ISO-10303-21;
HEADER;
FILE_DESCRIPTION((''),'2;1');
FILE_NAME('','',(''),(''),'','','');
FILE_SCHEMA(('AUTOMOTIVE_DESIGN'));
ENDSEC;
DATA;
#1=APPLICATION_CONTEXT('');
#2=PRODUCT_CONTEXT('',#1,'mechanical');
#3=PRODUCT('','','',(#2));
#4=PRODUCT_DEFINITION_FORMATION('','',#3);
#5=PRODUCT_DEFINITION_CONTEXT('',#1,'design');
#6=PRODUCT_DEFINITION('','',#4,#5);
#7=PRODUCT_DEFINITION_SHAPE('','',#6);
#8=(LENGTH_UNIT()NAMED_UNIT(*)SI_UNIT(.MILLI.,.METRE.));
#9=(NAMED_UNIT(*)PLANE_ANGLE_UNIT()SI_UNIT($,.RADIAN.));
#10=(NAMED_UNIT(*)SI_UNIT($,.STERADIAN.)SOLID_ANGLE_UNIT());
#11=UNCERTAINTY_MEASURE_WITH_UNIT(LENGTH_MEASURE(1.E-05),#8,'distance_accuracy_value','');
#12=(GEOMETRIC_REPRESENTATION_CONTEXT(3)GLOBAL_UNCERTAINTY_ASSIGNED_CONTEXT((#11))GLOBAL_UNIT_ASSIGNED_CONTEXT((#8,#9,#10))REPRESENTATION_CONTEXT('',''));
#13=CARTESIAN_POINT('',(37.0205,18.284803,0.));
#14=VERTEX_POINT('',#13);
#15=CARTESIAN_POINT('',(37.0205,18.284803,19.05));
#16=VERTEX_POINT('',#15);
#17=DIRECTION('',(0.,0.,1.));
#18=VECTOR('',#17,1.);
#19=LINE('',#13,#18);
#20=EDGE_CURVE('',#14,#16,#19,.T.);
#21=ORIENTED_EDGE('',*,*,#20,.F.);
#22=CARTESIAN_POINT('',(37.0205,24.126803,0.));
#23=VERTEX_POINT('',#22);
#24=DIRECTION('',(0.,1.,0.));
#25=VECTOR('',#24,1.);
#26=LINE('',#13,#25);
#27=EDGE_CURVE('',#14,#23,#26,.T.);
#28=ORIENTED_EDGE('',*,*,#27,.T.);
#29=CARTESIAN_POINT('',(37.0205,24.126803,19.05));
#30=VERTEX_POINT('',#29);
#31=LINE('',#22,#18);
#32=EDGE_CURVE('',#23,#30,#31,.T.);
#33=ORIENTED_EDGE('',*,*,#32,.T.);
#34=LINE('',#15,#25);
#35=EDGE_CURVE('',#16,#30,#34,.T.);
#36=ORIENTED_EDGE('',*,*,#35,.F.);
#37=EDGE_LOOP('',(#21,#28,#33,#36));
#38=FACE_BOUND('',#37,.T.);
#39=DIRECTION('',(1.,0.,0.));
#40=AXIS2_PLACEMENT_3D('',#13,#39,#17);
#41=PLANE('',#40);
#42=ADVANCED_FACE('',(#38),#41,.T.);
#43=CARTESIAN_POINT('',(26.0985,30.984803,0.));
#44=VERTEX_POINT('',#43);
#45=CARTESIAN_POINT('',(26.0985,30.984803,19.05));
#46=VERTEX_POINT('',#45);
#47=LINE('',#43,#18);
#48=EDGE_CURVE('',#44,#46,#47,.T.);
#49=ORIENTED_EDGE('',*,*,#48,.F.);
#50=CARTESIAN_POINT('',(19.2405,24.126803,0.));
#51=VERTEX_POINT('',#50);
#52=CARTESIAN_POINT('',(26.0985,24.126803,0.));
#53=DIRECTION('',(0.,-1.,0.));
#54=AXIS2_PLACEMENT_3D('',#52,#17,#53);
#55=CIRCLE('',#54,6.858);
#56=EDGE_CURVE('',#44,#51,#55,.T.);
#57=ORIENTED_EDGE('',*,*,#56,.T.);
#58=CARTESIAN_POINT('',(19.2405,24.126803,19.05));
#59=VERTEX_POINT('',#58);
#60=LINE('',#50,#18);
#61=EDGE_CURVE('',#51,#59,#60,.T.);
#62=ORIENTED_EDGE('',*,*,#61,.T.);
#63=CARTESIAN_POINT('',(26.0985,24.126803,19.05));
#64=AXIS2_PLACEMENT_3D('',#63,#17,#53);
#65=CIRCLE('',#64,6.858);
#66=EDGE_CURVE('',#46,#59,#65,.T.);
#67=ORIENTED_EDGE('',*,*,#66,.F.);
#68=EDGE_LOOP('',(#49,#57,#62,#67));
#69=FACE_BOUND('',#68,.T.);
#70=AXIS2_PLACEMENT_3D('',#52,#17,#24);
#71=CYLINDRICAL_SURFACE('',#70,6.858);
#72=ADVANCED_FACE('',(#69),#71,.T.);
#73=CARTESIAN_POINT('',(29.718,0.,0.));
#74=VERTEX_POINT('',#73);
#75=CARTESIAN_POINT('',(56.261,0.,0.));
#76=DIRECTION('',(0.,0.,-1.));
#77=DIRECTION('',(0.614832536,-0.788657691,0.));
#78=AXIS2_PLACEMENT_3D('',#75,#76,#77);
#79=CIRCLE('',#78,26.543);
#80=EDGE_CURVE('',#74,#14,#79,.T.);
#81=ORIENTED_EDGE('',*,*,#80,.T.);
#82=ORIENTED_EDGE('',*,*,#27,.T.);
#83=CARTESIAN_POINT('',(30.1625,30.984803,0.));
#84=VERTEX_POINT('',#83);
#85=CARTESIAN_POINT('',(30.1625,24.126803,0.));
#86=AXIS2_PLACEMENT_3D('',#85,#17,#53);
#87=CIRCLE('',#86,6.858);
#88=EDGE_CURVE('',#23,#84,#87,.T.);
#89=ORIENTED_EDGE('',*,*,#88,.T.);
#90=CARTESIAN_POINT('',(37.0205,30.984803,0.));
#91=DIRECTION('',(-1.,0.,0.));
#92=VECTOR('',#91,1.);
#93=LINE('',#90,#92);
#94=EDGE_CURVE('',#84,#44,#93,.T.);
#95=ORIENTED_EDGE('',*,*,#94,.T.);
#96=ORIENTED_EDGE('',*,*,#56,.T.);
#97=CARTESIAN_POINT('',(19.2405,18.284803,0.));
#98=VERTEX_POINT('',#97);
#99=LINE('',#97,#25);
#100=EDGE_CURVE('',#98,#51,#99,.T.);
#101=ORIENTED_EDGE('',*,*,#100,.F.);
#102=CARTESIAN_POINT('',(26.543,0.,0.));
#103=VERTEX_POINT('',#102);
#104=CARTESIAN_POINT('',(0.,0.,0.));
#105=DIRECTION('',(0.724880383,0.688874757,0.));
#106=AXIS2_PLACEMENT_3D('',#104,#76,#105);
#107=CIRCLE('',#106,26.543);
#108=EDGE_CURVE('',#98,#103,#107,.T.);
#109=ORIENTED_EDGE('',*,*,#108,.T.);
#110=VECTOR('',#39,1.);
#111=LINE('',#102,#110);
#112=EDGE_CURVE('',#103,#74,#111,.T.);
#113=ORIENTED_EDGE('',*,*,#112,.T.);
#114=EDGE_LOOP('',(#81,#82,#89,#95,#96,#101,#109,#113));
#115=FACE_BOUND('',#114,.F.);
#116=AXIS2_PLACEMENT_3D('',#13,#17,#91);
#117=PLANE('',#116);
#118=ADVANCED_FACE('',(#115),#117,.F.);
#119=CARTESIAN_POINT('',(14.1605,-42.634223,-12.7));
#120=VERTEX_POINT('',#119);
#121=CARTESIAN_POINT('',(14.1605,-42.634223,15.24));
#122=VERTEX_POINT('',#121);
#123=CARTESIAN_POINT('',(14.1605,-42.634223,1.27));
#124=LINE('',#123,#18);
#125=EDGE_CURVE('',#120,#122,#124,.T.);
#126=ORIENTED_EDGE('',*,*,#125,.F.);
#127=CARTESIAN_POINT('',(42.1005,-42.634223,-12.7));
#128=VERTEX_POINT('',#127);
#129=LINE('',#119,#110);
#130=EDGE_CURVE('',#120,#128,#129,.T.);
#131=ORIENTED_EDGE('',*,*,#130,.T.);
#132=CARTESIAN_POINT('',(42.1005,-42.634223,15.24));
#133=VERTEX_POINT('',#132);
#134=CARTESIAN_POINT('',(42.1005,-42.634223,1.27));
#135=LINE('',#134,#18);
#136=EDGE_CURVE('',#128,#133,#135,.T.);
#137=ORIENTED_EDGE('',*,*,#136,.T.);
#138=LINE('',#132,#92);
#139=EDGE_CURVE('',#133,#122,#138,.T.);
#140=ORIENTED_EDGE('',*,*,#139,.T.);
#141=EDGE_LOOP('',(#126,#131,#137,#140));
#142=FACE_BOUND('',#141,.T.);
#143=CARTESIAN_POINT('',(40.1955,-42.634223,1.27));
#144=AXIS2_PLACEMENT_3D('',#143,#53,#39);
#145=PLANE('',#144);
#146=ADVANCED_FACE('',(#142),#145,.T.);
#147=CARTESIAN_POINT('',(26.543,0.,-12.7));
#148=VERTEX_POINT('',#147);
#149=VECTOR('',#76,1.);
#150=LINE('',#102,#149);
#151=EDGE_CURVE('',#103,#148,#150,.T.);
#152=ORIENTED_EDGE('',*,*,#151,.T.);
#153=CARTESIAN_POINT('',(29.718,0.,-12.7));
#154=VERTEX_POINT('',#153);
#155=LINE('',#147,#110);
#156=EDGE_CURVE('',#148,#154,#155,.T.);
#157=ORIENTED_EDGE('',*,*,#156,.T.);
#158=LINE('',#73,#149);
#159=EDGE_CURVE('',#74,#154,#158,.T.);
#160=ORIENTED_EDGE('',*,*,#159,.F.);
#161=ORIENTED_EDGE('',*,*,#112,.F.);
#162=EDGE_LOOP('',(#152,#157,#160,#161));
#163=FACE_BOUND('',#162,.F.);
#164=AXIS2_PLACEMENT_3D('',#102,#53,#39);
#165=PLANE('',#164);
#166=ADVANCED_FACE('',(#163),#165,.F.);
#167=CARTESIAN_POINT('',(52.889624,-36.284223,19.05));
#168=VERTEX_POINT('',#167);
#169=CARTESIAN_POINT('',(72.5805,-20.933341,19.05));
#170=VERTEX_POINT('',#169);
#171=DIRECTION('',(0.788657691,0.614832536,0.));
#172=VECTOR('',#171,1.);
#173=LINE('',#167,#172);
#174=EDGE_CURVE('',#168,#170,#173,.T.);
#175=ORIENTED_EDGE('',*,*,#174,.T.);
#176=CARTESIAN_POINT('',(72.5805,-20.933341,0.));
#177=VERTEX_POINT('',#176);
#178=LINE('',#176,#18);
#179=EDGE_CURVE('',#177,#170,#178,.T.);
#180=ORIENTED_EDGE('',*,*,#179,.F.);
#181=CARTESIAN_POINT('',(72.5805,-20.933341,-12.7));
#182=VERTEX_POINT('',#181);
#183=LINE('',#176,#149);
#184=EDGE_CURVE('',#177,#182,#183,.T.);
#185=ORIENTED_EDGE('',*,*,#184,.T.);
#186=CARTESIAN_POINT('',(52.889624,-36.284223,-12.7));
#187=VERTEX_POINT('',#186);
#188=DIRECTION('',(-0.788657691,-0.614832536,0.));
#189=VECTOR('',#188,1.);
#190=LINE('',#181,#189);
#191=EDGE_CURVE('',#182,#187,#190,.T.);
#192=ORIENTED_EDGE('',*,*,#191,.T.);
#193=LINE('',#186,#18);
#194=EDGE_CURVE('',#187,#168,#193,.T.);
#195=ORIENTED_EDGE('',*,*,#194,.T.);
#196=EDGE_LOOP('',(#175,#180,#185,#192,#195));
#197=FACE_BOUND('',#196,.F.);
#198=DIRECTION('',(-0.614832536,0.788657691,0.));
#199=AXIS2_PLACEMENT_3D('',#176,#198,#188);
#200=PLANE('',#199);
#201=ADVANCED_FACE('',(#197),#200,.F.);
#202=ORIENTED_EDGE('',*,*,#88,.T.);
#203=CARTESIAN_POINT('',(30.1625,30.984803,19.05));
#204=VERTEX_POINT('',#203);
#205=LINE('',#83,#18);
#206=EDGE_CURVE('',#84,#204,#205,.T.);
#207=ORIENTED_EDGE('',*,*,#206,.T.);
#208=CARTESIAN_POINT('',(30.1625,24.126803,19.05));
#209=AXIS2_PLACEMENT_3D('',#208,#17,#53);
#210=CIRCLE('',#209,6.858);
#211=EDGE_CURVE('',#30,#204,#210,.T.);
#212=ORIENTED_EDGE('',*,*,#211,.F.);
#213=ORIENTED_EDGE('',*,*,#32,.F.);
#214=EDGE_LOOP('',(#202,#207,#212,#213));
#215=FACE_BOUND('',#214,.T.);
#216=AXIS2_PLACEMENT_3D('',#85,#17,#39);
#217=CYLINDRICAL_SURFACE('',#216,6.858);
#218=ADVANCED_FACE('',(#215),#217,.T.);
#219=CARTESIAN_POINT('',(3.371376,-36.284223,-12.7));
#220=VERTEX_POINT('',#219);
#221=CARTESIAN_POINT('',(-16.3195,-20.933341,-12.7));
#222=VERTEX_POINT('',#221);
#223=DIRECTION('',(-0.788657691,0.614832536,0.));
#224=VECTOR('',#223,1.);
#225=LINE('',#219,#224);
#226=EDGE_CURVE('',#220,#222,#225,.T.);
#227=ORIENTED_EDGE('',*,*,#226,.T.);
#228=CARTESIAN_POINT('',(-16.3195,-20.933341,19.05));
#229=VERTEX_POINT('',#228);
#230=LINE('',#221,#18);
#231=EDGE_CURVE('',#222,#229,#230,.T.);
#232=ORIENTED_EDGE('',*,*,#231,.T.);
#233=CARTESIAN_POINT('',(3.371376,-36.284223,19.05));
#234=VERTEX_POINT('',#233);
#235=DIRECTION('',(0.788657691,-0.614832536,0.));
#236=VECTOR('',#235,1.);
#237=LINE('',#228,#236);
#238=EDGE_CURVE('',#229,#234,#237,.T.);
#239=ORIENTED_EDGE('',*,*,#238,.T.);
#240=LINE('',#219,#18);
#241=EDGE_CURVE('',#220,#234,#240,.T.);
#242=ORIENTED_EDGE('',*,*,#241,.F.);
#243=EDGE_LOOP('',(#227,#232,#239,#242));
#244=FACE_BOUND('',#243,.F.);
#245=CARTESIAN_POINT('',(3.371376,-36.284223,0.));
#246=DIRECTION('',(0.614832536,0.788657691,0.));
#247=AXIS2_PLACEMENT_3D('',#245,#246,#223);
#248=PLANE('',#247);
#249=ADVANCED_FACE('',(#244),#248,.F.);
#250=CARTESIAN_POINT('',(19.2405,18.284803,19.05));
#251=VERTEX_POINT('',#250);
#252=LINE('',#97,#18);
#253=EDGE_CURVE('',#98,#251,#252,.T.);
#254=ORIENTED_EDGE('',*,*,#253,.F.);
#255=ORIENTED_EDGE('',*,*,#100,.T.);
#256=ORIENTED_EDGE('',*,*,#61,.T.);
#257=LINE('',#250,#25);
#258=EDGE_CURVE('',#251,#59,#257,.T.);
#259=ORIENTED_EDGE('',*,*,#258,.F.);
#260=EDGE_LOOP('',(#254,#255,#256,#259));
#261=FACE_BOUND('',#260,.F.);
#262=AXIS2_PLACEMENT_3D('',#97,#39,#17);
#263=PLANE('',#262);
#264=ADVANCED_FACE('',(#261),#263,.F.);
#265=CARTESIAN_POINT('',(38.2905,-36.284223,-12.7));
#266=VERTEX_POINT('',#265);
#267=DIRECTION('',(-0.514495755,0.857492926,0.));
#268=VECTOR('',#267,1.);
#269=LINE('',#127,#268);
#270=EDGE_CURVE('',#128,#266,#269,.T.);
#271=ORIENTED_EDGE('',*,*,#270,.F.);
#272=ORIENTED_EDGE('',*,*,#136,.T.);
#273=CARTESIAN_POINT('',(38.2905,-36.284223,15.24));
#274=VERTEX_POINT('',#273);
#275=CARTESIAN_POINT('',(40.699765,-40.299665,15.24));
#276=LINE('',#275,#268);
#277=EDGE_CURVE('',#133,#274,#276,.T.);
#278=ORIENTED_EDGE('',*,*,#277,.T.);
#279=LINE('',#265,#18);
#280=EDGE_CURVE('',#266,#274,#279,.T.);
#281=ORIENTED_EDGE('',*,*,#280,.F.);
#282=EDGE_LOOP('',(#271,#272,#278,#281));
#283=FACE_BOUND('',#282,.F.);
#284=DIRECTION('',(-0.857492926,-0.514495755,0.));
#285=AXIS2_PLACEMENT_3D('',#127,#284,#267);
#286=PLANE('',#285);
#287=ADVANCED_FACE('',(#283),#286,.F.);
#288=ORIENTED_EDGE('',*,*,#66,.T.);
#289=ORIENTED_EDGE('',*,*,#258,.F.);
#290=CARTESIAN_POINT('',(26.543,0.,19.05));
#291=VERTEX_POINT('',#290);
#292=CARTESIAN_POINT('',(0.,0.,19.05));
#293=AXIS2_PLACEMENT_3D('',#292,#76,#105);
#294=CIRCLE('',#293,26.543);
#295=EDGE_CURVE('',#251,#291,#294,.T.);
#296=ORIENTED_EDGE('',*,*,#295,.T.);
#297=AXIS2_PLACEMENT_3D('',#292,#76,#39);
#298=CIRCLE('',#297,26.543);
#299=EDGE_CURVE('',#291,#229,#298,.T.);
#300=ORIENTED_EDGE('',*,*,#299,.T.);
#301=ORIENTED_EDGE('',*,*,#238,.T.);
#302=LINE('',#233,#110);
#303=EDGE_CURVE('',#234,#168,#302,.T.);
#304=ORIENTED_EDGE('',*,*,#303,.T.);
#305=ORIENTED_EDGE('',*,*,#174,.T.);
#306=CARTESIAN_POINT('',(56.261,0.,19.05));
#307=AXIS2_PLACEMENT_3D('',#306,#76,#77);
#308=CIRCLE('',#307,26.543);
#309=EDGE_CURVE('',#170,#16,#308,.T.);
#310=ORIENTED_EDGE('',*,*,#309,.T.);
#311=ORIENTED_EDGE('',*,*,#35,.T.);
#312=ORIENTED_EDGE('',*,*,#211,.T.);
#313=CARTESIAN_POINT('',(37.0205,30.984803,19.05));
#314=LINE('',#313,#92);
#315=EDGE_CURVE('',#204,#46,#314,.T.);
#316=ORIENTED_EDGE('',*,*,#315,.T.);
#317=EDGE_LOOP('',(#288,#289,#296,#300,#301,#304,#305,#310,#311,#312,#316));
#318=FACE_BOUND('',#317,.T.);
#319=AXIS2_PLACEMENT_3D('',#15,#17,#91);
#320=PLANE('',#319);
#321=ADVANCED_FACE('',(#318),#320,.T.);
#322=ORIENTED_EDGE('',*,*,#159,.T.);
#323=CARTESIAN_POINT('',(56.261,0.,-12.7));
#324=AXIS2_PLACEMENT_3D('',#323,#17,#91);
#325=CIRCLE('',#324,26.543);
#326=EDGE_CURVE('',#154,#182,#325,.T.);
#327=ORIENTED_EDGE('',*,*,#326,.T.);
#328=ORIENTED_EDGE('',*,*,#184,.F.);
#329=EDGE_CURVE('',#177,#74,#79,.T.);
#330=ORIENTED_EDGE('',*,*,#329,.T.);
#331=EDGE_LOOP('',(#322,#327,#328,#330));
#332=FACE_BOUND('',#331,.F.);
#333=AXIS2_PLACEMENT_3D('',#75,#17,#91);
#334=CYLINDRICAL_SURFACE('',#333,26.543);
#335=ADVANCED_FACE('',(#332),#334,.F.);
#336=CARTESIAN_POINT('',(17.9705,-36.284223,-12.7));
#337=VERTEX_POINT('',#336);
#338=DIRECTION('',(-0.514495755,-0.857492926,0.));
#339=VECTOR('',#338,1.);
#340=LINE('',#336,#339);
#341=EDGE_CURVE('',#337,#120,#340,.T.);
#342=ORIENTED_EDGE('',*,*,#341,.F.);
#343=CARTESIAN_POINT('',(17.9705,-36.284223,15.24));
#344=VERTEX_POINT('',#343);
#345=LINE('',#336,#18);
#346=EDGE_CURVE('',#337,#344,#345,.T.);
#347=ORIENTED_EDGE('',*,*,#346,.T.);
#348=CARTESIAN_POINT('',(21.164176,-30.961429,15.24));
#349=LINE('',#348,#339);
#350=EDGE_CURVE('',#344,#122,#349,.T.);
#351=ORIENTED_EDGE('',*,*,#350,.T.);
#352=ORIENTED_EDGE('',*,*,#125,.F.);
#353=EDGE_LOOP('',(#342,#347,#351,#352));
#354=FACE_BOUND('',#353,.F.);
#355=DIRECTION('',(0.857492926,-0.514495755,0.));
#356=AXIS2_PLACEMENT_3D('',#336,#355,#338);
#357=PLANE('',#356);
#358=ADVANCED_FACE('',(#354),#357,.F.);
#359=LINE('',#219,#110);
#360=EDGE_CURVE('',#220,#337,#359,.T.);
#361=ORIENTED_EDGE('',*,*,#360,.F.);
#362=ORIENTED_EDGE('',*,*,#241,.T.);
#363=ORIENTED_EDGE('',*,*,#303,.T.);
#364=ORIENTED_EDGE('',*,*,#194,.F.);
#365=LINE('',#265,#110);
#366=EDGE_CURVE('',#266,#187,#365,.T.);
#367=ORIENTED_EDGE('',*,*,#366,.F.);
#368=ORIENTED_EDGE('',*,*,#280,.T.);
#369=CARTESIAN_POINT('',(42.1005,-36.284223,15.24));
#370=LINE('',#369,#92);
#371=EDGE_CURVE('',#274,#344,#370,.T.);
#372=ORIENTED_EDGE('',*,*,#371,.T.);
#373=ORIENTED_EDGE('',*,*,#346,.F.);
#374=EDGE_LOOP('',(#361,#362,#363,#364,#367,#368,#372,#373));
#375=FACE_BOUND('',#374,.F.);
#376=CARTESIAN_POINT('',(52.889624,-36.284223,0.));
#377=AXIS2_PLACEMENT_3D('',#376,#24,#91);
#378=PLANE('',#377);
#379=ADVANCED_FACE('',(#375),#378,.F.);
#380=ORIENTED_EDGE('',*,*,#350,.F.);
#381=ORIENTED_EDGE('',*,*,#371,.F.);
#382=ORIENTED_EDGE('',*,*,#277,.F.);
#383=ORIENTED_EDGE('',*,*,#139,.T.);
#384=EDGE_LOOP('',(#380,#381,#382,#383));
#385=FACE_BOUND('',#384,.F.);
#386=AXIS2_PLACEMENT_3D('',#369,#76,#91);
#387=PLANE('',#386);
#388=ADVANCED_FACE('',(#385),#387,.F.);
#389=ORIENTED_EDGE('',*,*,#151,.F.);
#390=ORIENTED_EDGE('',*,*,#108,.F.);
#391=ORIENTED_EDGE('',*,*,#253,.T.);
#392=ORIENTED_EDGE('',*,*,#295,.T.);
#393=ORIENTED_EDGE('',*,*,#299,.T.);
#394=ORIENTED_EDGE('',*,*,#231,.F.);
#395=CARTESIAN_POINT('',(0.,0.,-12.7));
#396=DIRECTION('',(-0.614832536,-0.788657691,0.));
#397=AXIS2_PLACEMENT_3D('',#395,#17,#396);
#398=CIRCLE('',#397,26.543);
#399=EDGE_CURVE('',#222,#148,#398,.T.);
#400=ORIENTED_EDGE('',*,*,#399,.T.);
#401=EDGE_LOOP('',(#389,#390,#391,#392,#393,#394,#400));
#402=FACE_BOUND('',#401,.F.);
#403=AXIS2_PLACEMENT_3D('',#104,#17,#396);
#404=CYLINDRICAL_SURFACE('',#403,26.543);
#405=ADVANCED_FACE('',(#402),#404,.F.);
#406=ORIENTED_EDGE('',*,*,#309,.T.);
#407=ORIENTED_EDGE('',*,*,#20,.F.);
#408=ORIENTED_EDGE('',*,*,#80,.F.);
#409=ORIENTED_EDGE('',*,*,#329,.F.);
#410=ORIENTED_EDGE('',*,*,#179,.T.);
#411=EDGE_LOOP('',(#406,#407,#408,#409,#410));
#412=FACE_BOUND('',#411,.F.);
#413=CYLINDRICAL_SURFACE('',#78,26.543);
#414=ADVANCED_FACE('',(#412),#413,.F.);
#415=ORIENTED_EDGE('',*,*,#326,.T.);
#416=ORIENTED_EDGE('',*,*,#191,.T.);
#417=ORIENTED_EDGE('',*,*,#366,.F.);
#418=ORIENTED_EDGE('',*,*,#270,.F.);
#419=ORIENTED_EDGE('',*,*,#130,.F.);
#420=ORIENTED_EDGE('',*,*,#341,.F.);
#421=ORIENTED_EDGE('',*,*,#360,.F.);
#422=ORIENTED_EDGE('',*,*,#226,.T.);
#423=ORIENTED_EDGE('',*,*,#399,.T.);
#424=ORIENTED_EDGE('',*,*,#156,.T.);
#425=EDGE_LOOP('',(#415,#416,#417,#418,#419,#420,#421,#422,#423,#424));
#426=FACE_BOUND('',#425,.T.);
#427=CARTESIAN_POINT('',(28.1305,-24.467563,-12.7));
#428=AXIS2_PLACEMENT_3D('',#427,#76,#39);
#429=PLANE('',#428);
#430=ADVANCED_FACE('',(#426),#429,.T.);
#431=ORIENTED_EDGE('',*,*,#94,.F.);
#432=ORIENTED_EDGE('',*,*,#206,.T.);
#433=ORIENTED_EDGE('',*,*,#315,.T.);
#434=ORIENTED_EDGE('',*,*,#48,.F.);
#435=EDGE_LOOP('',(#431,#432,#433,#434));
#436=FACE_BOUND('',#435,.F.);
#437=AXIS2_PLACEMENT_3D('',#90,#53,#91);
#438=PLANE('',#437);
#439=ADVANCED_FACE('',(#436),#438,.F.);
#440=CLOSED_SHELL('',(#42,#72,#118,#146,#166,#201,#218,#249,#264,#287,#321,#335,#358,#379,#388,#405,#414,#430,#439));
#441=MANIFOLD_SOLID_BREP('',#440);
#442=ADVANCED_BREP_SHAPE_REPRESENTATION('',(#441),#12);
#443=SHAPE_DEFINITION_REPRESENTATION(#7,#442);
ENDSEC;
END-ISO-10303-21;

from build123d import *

# Parameters (mm, degrees)
F1_DEPTH = 19.05
F3_DEPTH = 12.7
F4_DEPTH = 12.7
F5_W     = 3.81
F5_H     = 27.94
F5_W_2   = 20.32
F6_DEPTH = 6.35
F8_DEPTH = 40.386
F9_R     = 6.858


with BuildPart() as f1:
    # F0 (on Top) → F1 (new body)
    with BuildSketch(Plane.XY):
        with BuildLine():
            ThreePointArc((19.2405, 18.2848026719), (24.6498624793, 9.844548174), (26.543, 0))
            ThreePointArc((26.543, 0), (11.6482264852, -23.8505695687), (-16.3195, -20.9333410795))
            Line((-16.3195, -20.9333410795), (3.3713763961, -36.2842234889))
            Line((3.3713763961, -36.2842234889), (52.8896236039, -36.2842234889))
            Line((52.8896236039, -36.2842234889), (72.5805, -20.9333410795))
            ThreePointArc((72.5805, -20.9333410795), (36.597613718, -17.8292481312), (37.0205, 18.2848026719))
            Line((37.0205, 18.2848026719), (19.2405, 18.2848026719))
        make_face()
    extrude(amount=F1_DEPTH)

    # F2 (on face) → F3 (join)
    with BuildSketch(Plane(origin=(0, 0, 0), x_dir=(1, 0, 0), z_dir=(0, 0, -1))):
        with BuildLine():
            ThreePointArc((-16.3195, 20.9333410795), (11.6482264852, 23.8505695687), (26.543, 0))
            Line((26.543, 0), (29.718, 0))
            ThreePointArc((29.718, 0), (44.6127735148, 23.8505695687), (72.5805, 20.9333410795))
            Line((72.5805, 20.9333410795), (52.8896236039, 36.2842234889))
            Line((52.8896236039, 36.2842234889), (3.3713763961, 36.2842234889))
            Line((3.3713763961, 36.2842234889), (-16.3195, 20.9333410795))
        make_face()
    extrude(amount=F3_DEPTH)

    # F4 (add): a face of the model
    f4_faces = [f1.faces().sort_by_distance(p)[0] for p in [
        (28.1305, 18.2848026719, 9.525),
    ]]
    extrude(f4_faces, amount=F4_DEPTH)

    # F5 (on face) → F6 (join)
    with BuildSketch(Plane.XZ.offset(36.2842234889)):
        with Locations((40.1955, 1.27)):
            Rectangle(F5_W, F5_H)
        with Locations((28.1305, 1.27)):
            Rectangle(F5_W_2, F5_H)
        with Locations((16.0655, 1.27)):
            Rectangle(F5_W, F5_H)
    extrude(amount=F6_DEPTH)

    # F7 (on face) → F8 (cut)
    with BuildSketch(Plane(origin=(0, 0, -12.7), x_dir=(1, 0, 0), z_dir=(0, 0, -1))):
        Polygon((42.1005, 42.6342234889), (38.2905, 36.2842234889), (42.1005, 36.2842234889), (42.1005, 42.0675911009), align=None)
        Polygon((17.9705, 36.2842234889), (14.1605, 42.6342234889), (14.1605, 36.2842234889), align=None)
    extrude(amount=-F8_DEPTH, mode=Mode.SUBTRACT)

    # F9
    f9_edges = [f1.edges().sort_by_distance(p)[0] for p in [
        (37.0205, 30.984803, 9.525),
        (19.2405, 30.984803, 9.525),
    ]]
    fillet(f9_edges, radius=F9_R)


solid = f1.part
